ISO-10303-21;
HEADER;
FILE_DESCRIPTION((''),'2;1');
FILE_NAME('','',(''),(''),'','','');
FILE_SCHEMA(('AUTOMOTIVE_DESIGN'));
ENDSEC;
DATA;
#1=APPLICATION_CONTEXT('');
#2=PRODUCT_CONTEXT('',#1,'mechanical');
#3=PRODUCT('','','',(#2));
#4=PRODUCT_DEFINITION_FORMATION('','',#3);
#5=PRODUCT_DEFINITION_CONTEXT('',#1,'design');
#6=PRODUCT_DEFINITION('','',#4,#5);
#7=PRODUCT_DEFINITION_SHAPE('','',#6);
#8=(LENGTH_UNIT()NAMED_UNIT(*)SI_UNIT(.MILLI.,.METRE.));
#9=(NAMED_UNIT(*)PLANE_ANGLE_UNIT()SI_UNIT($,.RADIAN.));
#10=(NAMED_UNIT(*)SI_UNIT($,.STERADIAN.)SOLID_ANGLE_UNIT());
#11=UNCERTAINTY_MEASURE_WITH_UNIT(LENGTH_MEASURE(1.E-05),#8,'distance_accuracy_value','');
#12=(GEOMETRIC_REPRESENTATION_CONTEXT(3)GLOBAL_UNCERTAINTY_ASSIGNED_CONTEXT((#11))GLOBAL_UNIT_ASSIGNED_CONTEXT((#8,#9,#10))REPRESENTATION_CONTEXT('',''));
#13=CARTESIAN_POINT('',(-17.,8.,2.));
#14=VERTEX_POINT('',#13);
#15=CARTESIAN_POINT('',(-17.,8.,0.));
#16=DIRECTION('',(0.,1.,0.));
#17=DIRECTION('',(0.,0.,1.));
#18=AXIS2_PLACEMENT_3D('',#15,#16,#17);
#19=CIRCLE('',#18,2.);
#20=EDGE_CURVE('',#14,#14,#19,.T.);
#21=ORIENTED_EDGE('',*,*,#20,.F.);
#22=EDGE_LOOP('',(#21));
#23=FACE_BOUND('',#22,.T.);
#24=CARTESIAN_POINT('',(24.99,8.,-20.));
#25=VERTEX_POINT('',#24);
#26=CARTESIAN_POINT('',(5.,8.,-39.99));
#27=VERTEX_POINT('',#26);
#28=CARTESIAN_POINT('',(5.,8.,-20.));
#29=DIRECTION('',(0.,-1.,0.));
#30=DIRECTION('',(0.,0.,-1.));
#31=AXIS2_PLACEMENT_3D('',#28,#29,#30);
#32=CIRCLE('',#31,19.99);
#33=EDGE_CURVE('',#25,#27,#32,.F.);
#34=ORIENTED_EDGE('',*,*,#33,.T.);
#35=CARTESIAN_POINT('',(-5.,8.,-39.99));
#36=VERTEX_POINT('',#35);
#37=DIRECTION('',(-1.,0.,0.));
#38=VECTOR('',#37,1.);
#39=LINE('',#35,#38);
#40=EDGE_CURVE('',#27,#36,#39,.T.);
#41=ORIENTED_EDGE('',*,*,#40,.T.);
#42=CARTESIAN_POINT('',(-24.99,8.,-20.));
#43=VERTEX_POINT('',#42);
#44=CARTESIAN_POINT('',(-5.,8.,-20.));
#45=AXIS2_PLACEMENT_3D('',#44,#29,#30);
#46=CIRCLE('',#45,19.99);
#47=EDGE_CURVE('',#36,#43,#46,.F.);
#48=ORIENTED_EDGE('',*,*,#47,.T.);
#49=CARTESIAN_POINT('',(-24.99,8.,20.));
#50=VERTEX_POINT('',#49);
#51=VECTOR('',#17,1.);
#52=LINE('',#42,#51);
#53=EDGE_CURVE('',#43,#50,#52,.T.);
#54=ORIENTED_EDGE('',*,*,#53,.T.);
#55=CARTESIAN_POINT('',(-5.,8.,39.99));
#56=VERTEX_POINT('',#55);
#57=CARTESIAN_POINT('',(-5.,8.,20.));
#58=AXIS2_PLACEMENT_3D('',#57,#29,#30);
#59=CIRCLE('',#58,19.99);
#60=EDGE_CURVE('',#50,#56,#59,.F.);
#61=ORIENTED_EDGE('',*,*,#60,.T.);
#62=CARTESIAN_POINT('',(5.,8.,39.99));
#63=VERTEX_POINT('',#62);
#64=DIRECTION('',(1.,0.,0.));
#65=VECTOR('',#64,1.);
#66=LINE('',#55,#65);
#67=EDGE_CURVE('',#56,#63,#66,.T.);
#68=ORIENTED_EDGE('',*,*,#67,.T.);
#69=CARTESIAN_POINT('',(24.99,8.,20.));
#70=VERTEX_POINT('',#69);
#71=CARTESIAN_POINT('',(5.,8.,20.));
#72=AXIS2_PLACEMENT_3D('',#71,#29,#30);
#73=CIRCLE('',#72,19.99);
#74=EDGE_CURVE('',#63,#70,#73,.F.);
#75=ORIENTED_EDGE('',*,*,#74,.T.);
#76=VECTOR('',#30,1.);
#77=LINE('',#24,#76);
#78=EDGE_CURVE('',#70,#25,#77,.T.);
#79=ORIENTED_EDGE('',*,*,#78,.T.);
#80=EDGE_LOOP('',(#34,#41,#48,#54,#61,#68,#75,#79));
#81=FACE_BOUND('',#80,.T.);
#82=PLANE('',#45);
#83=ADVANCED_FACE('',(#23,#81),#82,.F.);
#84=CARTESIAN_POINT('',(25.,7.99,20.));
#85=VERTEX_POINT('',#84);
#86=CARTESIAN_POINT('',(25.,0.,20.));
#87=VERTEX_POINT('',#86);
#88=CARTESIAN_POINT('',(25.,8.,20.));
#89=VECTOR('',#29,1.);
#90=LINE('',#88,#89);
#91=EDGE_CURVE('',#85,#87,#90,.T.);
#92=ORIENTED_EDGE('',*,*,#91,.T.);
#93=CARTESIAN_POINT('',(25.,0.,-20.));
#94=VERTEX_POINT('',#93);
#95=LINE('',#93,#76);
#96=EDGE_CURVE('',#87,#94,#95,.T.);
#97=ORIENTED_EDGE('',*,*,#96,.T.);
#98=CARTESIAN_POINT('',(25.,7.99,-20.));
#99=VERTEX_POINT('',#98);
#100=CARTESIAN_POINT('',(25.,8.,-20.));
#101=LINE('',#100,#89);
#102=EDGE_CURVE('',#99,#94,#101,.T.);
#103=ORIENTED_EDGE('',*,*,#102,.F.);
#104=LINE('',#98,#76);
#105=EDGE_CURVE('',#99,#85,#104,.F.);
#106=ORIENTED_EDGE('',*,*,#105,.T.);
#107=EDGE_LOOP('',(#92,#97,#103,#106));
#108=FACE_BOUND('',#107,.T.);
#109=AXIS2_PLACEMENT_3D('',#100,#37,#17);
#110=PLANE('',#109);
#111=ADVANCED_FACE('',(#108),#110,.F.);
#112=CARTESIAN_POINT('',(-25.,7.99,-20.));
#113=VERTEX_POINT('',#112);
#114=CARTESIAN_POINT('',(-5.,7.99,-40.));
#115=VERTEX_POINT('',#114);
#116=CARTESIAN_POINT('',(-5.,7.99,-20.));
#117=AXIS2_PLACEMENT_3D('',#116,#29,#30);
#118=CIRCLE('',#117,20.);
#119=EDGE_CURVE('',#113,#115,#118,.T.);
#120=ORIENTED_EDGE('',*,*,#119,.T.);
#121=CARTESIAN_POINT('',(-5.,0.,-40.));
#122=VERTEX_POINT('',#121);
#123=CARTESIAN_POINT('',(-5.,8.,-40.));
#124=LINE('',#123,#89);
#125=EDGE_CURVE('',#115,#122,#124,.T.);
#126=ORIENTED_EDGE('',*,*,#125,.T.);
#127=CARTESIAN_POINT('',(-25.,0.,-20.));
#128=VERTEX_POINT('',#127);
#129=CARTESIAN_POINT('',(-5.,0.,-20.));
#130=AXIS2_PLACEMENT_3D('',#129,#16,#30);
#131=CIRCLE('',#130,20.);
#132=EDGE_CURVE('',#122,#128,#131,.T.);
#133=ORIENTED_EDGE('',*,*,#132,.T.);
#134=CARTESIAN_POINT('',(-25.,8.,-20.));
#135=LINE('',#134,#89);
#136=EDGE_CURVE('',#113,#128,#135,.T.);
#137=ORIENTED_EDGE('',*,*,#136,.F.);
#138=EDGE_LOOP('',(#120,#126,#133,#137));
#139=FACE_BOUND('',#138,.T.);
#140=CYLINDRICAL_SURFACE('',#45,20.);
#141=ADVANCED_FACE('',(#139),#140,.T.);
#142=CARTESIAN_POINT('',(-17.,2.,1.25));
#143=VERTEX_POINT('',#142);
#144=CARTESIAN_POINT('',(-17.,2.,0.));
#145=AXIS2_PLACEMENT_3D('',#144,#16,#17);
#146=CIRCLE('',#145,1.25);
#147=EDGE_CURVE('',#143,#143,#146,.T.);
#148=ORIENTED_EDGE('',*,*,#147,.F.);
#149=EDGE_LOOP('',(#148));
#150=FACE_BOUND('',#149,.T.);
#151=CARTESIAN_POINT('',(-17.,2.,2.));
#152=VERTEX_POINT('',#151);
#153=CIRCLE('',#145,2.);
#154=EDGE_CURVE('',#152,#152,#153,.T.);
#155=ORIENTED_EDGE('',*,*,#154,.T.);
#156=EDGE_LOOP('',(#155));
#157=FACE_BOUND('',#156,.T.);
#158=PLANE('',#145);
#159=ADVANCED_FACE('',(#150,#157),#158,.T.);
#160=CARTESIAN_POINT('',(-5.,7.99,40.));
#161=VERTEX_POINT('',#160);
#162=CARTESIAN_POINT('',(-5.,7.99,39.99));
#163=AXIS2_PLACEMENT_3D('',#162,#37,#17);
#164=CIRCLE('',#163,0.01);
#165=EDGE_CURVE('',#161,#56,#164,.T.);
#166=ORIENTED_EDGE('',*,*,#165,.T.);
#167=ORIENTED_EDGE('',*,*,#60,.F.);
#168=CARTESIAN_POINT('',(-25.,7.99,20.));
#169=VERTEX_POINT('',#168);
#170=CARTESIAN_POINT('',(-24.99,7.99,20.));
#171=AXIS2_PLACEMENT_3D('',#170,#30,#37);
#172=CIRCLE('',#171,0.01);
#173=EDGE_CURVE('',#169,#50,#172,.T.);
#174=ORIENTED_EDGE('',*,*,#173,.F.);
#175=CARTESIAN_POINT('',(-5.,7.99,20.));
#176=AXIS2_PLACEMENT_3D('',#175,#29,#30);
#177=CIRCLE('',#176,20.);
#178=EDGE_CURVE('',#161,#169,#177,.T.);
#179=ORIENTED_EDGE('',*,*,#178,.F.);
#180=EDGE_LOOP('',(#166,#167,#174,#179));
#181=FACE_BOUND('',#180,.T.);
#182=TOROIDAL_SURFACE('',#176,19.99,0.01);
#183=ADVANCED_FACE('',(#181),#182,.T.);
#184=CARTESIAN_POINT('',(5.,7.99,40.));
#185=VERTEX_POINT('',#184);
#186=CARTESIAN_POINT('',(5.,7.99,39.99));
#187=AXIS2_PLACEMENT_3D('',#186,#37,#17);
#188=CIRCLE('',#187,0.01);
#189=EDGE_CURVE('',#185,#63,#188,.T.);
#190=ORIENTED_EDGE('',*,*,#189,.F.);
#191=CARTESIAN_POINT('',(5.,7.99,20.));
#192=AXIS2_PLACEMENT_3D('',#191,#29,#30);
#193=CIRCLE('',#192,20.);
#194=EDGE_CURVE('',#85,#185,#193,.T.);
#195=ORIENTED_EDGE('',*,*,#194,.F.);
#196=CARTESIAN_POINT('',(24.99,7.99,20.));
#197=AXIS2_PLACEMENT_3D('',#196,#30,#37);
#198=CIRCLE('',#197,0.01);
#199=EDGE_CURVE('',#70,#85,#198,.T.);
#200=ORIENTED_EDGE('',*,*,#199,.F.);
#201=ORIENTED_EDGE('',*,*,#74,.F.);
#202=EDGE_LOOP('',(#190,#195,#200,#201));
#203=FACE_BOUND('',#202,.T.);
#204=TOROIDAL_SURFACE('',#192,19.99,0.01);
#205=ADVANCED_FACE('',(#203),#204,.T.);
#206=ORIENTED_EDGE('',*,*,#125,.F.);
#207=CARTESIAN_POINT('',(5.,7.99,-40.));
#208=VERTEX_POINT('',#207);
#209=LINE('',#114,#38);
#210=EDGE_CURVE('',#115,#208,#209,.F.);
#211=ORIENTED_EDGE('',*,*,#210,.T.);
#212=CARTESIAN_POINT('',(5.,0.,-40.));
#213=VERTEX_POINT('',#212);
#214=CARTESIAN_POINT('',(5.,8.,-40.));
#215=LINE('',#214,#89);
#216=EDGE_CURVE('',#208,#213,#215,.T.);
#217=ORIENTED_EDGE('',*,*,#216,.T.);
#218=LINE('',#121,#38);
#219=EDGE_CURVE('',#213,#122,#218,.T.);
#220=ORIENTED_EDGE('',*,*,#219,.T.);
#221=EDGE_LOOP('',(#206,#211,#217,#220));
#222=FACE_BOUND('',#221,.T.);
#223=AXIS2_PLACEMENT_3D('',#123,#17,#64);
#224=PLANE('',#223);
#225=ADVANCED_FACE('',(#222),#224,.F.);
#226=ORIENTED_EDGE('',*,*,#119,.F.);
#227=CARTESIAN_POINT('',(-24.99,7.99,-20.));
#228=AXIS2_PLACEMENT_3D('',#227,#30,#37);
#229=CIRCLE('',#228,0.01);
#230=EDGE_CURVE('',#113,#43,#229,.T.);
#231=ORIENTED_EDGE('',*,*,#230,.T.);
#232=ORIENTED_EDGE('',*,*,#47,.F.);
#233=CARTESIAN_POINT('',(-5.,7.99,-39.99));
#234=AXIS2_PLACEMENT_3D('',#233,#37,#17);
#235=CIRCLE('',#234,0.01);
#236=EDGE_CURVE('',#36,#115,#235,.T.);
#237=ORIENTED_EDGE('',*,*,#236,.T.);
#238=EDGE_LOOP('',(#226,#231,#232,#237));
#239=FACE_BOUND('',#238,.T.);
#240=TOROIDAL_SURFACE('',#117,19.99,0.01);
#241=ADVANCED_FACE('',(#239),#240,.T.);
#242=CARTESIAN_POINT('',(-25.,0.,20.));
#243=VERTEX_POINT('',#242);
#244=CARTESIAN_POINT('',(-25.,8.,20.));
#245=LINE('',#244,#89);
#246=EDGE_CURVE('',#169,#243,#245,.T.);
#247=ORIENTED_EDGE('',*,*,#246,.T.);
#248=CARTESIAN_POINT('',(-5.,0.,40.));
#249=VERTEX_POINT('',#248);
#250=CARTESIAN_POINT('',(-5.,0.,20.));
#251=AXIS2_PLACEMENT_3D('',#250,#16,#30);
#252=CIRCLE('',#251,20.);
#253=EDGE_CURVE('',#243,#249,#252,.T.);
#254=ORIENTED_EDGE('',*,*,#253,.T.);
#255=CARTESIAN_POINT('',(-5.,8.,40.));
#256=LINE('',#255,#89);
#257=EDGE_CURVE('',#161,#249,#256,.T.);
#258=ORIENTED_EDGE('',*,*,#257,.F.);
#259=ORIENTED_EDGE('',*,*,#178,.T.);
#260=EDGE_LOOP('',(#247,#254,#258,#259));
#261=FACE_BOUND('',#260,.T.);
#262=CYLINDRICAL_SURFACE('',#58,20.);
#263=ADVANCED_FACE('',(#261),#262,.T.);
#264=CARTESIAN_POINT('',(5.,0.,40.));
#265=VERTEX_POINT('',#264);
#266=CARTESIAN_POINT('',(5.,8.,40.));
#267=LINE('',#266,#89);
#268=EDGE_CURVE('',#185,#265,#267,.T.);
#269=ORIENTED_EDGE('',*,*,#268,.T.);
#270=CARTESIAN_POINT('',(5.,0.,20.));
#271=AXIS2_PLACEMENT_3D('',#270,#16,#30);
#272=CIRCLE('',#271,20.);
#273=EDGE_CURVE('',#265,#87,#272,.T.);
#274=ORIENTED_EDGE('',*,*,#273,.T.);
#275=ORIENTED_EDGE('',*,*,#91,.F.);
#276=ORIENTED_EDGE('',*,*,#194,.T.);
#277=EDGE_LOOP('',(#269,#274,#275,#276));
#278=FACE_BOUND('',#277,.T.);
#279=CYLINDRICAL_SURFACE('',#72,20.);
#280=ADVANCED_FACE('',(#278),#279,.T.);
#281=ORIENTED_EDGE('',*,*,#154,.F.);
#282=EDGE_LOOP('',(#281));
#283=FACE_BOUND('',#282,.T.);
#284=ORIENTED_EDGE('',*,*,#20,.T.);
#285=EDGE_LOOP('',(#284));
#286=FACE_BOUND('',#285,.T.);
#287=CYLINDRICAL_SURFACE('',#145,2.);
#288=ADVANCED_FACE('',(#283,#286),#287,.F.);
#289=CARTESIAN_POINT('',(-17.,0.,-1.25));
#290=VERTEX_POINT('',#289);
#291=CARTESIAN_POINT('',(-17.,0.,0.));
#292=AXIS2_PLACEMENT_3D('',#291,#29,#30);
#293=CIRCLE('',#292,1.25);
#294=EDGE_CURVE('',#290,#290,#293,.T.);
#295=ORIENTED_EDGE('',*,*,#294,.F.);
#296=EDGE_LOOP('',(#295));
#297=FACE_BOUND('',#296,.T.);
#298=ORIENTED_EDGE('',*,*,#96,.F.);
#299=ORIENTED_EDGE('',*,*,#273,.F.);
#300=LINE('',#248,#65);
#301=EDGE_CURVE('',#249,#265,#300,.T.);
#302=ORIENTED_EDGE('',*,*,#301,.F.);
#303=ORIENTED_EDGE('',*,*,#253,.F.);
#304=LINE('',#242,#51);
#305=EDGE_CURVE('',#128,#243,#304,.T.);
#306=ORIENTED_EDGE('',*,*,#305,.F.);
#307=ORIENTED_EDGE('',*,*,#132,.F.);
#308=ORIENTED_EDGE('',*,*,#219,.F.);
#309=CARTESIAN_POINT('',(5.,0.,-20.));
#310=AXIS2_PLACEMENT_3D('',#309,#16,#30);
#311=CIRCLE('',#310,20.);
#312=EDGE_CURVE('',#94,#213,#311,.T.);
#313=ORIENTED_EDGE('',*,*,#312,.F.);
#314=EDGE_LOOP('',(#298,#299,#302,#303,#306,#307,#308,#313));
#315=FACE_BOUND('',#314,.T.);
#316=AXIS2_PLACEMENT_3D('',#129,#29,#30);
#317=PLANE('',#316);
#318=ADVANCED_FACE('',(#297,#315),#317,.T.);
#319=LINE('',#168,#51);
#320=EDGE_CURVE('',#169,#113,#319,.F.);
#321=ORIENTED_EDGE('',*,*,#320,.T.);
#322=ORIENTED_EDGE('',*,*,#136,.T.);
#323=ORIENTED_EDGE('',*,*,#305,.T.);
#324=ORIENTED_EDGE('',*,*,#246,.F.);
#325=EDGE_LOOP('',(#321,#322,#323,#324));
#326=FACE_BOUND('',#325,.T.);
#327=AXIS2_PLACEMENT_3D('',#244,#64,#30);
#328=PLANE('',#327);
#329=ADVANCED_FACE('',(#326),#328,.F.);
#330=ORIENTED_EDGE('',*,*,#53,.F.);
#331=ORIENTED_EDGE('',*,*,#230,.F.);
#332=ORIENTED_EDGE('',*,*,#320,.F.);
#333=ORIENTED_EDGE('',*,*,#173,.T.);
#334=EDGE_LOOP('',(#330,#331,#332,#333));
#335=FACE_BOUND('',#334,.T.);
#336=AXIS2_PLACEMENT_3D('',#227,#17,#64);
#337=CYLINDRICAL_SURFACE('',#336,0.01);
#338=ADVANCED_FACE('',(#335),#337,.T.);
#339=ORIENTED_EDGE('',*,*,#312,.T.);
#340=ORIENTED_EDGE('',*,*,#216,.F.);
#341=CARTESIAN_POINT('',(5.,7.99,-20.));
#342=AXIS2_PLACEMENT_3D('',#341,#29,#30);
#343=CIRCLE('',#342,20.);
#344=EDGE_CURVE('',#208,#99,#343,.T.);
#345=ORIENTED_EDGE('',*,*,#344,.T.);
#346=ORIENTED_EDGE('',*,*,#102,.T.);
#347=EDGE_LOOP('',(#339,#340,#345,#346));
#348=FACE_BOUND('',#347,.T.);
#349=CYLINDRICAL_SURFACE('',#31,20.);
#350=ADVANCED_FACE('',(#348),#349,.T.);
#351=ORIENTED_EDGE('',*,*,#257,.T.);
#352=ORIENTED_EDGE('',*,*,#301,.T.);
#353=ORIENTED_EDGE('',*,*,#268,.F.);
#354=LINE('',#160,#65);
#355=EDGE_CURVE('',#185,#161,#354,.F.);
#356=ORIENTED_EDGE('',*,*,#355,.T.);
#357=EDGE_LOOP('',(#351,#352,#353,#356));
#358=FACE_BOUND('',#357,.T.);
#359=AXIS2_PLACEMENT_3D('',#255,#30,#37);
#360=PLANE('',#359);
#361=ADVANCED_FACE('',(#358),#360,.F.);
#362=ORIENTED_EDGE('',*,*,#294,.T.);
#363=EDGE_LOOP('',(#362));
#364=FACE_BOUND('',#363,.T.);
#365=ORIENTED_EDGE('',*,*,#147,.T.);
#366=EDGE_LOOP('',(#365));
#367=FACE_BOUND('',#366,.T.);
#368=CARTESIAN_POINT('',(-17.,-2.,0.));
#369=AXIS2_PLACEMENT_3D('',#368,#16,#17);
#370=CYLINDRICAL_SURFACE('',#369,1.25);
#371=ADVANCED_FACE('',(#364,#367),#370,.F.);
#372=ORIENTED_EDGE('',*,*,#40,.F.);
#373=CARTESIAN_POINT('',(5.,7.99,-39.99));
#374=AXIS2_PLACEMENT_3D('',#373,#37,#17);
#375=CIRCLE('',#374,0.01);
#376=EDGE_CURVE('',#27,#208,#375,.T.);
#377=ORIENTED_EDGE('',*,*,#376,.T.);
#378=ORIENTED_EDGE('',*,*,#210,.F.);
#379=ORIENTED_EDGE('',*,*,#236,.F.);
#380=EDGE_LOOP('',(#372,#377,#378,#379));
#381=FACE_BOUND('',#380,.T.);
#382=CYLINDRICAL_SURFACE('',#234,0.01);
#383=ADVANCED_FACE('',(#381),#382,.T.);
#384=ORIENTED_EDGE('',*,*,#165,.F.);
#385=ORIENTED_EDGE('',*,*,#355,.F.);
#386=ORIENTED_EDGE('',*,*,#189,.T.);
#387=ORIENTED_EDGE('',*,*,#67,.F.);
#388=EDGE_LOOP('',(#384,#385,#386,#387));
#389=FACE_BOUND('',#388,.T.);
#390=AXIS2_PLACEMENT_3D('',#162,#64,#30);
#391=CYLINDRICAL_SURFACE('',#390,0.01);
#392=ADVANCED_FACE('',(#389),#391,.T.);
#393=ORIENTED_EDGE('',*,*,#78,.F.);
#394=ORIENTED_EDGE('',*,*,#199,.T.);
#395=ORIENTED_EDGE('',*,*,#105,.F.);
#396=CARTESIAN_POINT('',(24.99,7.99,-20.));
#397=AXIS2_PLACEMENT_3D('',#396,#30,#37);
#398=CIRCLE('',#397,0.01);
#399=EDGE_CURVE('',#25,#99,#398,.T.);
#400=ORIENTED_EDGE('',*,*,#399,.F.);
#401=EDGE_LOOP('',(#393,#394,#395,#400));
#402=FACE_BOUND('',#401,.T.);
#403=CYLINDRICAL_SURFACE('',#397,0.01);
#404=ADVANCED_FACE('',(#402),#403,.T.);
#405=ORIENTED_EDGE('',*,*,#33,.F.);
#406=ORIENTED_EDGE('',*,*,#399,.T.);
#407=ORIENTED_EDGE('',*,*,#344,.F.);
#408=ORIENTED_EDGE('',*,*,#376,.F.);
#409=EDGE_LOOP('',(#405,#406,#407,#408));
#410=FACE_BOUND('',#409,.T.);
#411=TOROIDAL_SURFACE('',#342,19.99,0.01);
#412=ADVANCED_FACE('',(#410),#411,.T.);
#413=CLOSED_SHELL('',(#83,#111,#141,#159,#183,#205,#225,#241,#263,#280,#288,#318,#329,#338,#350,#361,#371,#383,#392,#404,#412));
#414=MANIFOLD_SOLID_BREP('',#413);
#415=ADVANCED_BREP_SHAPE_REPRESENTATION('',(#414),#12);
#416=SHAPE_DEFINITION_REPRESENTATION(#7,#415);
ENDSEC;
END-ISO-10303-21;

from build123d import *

# Parameters (mm, degrees)
SALIENTE_EXTRUIR1_DEPTH = 8
REDONDEO1_R             = 0.01
CROQUIS3_R              = 2
CORTAR_EXTRUIR1_DEPTH   = 6
CROQUIS4_R              = 1.25
CORTAR_EXTRUIR2_DEPTH   = 10


with BuildPart() as part:
    # Croquis2 → Saliente-Extruir1 (new body)
    with BuildSketch(Plane(origin=(0, 0, 0), x_dir=(1, 0, 0), z_dir=(0, 1, 0))):
        with BuildLine():
            Line((-5, 40), (5, 40))
            ThreePointArc((5, 40), (19.142135624, 34.142135624), (25, 20))
            Line((25, 20), (25, -20))
            ThreePointArc((25, -20), (19.142135624, -34.142135624), (5, -40))
            Line((5, -40), (-5, -40))
            ThreePointArc((-5, -40), (-19.142135624, -34.142135624), (-25, -20))
            Line((-25, -20), (-25, 20))
            ThreePointArc((-25, 20), (-19.142135624, 34.142135624), (-5, 40))
        make_face()
    extrude(amount=SALIENTE_EXTRUIR1_DEPTH)

    # Redondeo1
    redondeo1_edges = [part.edges().sort_by_distance(p)[0] for p in [
        (-19.142135624, 8, 34.142135624),
        (0, 8, 40),
        (19.142135624, 8, 34.142135624),
        (25, 8, 0),
        (19.142135624, 8, -34.142135624),
        (0, 8, -40),
        (-19.142135624, 8, -34.142135624),
        (-25, 8, 0),
    ]]
    fillet(redondeo1_edges, radius=REDONDEO1_R)

    # Croquis3 → Cortar-Extruir1 (cut)
    with BuildSketch(Plane(origin=(0, 8, 0), x_dir=(1, 0, 0), z_dir=(0, 1, 0))):
        with Locations((-17, 0)):
            Circle(CROQUIS3_R)
    extrude(amount=-CORTAR_EXTRUIR1_DEPTH, mode=Mode.SUBTRACT)

    # Croquis4 → Cortar-Extruir2 (cut)
    with BuildSketch(Plane(origin=(0, 8, 0), x_dir=(1, 0, 0), z_dir=(0, 1, 0))):
        with Locations((-17, 0)):
            Circle(CROQUIS4_R)
    extrude(amount=-CORTAR_EXTRUIR2_DEPTH, mode=Mode.SUBTRACT)


solid = part.part
